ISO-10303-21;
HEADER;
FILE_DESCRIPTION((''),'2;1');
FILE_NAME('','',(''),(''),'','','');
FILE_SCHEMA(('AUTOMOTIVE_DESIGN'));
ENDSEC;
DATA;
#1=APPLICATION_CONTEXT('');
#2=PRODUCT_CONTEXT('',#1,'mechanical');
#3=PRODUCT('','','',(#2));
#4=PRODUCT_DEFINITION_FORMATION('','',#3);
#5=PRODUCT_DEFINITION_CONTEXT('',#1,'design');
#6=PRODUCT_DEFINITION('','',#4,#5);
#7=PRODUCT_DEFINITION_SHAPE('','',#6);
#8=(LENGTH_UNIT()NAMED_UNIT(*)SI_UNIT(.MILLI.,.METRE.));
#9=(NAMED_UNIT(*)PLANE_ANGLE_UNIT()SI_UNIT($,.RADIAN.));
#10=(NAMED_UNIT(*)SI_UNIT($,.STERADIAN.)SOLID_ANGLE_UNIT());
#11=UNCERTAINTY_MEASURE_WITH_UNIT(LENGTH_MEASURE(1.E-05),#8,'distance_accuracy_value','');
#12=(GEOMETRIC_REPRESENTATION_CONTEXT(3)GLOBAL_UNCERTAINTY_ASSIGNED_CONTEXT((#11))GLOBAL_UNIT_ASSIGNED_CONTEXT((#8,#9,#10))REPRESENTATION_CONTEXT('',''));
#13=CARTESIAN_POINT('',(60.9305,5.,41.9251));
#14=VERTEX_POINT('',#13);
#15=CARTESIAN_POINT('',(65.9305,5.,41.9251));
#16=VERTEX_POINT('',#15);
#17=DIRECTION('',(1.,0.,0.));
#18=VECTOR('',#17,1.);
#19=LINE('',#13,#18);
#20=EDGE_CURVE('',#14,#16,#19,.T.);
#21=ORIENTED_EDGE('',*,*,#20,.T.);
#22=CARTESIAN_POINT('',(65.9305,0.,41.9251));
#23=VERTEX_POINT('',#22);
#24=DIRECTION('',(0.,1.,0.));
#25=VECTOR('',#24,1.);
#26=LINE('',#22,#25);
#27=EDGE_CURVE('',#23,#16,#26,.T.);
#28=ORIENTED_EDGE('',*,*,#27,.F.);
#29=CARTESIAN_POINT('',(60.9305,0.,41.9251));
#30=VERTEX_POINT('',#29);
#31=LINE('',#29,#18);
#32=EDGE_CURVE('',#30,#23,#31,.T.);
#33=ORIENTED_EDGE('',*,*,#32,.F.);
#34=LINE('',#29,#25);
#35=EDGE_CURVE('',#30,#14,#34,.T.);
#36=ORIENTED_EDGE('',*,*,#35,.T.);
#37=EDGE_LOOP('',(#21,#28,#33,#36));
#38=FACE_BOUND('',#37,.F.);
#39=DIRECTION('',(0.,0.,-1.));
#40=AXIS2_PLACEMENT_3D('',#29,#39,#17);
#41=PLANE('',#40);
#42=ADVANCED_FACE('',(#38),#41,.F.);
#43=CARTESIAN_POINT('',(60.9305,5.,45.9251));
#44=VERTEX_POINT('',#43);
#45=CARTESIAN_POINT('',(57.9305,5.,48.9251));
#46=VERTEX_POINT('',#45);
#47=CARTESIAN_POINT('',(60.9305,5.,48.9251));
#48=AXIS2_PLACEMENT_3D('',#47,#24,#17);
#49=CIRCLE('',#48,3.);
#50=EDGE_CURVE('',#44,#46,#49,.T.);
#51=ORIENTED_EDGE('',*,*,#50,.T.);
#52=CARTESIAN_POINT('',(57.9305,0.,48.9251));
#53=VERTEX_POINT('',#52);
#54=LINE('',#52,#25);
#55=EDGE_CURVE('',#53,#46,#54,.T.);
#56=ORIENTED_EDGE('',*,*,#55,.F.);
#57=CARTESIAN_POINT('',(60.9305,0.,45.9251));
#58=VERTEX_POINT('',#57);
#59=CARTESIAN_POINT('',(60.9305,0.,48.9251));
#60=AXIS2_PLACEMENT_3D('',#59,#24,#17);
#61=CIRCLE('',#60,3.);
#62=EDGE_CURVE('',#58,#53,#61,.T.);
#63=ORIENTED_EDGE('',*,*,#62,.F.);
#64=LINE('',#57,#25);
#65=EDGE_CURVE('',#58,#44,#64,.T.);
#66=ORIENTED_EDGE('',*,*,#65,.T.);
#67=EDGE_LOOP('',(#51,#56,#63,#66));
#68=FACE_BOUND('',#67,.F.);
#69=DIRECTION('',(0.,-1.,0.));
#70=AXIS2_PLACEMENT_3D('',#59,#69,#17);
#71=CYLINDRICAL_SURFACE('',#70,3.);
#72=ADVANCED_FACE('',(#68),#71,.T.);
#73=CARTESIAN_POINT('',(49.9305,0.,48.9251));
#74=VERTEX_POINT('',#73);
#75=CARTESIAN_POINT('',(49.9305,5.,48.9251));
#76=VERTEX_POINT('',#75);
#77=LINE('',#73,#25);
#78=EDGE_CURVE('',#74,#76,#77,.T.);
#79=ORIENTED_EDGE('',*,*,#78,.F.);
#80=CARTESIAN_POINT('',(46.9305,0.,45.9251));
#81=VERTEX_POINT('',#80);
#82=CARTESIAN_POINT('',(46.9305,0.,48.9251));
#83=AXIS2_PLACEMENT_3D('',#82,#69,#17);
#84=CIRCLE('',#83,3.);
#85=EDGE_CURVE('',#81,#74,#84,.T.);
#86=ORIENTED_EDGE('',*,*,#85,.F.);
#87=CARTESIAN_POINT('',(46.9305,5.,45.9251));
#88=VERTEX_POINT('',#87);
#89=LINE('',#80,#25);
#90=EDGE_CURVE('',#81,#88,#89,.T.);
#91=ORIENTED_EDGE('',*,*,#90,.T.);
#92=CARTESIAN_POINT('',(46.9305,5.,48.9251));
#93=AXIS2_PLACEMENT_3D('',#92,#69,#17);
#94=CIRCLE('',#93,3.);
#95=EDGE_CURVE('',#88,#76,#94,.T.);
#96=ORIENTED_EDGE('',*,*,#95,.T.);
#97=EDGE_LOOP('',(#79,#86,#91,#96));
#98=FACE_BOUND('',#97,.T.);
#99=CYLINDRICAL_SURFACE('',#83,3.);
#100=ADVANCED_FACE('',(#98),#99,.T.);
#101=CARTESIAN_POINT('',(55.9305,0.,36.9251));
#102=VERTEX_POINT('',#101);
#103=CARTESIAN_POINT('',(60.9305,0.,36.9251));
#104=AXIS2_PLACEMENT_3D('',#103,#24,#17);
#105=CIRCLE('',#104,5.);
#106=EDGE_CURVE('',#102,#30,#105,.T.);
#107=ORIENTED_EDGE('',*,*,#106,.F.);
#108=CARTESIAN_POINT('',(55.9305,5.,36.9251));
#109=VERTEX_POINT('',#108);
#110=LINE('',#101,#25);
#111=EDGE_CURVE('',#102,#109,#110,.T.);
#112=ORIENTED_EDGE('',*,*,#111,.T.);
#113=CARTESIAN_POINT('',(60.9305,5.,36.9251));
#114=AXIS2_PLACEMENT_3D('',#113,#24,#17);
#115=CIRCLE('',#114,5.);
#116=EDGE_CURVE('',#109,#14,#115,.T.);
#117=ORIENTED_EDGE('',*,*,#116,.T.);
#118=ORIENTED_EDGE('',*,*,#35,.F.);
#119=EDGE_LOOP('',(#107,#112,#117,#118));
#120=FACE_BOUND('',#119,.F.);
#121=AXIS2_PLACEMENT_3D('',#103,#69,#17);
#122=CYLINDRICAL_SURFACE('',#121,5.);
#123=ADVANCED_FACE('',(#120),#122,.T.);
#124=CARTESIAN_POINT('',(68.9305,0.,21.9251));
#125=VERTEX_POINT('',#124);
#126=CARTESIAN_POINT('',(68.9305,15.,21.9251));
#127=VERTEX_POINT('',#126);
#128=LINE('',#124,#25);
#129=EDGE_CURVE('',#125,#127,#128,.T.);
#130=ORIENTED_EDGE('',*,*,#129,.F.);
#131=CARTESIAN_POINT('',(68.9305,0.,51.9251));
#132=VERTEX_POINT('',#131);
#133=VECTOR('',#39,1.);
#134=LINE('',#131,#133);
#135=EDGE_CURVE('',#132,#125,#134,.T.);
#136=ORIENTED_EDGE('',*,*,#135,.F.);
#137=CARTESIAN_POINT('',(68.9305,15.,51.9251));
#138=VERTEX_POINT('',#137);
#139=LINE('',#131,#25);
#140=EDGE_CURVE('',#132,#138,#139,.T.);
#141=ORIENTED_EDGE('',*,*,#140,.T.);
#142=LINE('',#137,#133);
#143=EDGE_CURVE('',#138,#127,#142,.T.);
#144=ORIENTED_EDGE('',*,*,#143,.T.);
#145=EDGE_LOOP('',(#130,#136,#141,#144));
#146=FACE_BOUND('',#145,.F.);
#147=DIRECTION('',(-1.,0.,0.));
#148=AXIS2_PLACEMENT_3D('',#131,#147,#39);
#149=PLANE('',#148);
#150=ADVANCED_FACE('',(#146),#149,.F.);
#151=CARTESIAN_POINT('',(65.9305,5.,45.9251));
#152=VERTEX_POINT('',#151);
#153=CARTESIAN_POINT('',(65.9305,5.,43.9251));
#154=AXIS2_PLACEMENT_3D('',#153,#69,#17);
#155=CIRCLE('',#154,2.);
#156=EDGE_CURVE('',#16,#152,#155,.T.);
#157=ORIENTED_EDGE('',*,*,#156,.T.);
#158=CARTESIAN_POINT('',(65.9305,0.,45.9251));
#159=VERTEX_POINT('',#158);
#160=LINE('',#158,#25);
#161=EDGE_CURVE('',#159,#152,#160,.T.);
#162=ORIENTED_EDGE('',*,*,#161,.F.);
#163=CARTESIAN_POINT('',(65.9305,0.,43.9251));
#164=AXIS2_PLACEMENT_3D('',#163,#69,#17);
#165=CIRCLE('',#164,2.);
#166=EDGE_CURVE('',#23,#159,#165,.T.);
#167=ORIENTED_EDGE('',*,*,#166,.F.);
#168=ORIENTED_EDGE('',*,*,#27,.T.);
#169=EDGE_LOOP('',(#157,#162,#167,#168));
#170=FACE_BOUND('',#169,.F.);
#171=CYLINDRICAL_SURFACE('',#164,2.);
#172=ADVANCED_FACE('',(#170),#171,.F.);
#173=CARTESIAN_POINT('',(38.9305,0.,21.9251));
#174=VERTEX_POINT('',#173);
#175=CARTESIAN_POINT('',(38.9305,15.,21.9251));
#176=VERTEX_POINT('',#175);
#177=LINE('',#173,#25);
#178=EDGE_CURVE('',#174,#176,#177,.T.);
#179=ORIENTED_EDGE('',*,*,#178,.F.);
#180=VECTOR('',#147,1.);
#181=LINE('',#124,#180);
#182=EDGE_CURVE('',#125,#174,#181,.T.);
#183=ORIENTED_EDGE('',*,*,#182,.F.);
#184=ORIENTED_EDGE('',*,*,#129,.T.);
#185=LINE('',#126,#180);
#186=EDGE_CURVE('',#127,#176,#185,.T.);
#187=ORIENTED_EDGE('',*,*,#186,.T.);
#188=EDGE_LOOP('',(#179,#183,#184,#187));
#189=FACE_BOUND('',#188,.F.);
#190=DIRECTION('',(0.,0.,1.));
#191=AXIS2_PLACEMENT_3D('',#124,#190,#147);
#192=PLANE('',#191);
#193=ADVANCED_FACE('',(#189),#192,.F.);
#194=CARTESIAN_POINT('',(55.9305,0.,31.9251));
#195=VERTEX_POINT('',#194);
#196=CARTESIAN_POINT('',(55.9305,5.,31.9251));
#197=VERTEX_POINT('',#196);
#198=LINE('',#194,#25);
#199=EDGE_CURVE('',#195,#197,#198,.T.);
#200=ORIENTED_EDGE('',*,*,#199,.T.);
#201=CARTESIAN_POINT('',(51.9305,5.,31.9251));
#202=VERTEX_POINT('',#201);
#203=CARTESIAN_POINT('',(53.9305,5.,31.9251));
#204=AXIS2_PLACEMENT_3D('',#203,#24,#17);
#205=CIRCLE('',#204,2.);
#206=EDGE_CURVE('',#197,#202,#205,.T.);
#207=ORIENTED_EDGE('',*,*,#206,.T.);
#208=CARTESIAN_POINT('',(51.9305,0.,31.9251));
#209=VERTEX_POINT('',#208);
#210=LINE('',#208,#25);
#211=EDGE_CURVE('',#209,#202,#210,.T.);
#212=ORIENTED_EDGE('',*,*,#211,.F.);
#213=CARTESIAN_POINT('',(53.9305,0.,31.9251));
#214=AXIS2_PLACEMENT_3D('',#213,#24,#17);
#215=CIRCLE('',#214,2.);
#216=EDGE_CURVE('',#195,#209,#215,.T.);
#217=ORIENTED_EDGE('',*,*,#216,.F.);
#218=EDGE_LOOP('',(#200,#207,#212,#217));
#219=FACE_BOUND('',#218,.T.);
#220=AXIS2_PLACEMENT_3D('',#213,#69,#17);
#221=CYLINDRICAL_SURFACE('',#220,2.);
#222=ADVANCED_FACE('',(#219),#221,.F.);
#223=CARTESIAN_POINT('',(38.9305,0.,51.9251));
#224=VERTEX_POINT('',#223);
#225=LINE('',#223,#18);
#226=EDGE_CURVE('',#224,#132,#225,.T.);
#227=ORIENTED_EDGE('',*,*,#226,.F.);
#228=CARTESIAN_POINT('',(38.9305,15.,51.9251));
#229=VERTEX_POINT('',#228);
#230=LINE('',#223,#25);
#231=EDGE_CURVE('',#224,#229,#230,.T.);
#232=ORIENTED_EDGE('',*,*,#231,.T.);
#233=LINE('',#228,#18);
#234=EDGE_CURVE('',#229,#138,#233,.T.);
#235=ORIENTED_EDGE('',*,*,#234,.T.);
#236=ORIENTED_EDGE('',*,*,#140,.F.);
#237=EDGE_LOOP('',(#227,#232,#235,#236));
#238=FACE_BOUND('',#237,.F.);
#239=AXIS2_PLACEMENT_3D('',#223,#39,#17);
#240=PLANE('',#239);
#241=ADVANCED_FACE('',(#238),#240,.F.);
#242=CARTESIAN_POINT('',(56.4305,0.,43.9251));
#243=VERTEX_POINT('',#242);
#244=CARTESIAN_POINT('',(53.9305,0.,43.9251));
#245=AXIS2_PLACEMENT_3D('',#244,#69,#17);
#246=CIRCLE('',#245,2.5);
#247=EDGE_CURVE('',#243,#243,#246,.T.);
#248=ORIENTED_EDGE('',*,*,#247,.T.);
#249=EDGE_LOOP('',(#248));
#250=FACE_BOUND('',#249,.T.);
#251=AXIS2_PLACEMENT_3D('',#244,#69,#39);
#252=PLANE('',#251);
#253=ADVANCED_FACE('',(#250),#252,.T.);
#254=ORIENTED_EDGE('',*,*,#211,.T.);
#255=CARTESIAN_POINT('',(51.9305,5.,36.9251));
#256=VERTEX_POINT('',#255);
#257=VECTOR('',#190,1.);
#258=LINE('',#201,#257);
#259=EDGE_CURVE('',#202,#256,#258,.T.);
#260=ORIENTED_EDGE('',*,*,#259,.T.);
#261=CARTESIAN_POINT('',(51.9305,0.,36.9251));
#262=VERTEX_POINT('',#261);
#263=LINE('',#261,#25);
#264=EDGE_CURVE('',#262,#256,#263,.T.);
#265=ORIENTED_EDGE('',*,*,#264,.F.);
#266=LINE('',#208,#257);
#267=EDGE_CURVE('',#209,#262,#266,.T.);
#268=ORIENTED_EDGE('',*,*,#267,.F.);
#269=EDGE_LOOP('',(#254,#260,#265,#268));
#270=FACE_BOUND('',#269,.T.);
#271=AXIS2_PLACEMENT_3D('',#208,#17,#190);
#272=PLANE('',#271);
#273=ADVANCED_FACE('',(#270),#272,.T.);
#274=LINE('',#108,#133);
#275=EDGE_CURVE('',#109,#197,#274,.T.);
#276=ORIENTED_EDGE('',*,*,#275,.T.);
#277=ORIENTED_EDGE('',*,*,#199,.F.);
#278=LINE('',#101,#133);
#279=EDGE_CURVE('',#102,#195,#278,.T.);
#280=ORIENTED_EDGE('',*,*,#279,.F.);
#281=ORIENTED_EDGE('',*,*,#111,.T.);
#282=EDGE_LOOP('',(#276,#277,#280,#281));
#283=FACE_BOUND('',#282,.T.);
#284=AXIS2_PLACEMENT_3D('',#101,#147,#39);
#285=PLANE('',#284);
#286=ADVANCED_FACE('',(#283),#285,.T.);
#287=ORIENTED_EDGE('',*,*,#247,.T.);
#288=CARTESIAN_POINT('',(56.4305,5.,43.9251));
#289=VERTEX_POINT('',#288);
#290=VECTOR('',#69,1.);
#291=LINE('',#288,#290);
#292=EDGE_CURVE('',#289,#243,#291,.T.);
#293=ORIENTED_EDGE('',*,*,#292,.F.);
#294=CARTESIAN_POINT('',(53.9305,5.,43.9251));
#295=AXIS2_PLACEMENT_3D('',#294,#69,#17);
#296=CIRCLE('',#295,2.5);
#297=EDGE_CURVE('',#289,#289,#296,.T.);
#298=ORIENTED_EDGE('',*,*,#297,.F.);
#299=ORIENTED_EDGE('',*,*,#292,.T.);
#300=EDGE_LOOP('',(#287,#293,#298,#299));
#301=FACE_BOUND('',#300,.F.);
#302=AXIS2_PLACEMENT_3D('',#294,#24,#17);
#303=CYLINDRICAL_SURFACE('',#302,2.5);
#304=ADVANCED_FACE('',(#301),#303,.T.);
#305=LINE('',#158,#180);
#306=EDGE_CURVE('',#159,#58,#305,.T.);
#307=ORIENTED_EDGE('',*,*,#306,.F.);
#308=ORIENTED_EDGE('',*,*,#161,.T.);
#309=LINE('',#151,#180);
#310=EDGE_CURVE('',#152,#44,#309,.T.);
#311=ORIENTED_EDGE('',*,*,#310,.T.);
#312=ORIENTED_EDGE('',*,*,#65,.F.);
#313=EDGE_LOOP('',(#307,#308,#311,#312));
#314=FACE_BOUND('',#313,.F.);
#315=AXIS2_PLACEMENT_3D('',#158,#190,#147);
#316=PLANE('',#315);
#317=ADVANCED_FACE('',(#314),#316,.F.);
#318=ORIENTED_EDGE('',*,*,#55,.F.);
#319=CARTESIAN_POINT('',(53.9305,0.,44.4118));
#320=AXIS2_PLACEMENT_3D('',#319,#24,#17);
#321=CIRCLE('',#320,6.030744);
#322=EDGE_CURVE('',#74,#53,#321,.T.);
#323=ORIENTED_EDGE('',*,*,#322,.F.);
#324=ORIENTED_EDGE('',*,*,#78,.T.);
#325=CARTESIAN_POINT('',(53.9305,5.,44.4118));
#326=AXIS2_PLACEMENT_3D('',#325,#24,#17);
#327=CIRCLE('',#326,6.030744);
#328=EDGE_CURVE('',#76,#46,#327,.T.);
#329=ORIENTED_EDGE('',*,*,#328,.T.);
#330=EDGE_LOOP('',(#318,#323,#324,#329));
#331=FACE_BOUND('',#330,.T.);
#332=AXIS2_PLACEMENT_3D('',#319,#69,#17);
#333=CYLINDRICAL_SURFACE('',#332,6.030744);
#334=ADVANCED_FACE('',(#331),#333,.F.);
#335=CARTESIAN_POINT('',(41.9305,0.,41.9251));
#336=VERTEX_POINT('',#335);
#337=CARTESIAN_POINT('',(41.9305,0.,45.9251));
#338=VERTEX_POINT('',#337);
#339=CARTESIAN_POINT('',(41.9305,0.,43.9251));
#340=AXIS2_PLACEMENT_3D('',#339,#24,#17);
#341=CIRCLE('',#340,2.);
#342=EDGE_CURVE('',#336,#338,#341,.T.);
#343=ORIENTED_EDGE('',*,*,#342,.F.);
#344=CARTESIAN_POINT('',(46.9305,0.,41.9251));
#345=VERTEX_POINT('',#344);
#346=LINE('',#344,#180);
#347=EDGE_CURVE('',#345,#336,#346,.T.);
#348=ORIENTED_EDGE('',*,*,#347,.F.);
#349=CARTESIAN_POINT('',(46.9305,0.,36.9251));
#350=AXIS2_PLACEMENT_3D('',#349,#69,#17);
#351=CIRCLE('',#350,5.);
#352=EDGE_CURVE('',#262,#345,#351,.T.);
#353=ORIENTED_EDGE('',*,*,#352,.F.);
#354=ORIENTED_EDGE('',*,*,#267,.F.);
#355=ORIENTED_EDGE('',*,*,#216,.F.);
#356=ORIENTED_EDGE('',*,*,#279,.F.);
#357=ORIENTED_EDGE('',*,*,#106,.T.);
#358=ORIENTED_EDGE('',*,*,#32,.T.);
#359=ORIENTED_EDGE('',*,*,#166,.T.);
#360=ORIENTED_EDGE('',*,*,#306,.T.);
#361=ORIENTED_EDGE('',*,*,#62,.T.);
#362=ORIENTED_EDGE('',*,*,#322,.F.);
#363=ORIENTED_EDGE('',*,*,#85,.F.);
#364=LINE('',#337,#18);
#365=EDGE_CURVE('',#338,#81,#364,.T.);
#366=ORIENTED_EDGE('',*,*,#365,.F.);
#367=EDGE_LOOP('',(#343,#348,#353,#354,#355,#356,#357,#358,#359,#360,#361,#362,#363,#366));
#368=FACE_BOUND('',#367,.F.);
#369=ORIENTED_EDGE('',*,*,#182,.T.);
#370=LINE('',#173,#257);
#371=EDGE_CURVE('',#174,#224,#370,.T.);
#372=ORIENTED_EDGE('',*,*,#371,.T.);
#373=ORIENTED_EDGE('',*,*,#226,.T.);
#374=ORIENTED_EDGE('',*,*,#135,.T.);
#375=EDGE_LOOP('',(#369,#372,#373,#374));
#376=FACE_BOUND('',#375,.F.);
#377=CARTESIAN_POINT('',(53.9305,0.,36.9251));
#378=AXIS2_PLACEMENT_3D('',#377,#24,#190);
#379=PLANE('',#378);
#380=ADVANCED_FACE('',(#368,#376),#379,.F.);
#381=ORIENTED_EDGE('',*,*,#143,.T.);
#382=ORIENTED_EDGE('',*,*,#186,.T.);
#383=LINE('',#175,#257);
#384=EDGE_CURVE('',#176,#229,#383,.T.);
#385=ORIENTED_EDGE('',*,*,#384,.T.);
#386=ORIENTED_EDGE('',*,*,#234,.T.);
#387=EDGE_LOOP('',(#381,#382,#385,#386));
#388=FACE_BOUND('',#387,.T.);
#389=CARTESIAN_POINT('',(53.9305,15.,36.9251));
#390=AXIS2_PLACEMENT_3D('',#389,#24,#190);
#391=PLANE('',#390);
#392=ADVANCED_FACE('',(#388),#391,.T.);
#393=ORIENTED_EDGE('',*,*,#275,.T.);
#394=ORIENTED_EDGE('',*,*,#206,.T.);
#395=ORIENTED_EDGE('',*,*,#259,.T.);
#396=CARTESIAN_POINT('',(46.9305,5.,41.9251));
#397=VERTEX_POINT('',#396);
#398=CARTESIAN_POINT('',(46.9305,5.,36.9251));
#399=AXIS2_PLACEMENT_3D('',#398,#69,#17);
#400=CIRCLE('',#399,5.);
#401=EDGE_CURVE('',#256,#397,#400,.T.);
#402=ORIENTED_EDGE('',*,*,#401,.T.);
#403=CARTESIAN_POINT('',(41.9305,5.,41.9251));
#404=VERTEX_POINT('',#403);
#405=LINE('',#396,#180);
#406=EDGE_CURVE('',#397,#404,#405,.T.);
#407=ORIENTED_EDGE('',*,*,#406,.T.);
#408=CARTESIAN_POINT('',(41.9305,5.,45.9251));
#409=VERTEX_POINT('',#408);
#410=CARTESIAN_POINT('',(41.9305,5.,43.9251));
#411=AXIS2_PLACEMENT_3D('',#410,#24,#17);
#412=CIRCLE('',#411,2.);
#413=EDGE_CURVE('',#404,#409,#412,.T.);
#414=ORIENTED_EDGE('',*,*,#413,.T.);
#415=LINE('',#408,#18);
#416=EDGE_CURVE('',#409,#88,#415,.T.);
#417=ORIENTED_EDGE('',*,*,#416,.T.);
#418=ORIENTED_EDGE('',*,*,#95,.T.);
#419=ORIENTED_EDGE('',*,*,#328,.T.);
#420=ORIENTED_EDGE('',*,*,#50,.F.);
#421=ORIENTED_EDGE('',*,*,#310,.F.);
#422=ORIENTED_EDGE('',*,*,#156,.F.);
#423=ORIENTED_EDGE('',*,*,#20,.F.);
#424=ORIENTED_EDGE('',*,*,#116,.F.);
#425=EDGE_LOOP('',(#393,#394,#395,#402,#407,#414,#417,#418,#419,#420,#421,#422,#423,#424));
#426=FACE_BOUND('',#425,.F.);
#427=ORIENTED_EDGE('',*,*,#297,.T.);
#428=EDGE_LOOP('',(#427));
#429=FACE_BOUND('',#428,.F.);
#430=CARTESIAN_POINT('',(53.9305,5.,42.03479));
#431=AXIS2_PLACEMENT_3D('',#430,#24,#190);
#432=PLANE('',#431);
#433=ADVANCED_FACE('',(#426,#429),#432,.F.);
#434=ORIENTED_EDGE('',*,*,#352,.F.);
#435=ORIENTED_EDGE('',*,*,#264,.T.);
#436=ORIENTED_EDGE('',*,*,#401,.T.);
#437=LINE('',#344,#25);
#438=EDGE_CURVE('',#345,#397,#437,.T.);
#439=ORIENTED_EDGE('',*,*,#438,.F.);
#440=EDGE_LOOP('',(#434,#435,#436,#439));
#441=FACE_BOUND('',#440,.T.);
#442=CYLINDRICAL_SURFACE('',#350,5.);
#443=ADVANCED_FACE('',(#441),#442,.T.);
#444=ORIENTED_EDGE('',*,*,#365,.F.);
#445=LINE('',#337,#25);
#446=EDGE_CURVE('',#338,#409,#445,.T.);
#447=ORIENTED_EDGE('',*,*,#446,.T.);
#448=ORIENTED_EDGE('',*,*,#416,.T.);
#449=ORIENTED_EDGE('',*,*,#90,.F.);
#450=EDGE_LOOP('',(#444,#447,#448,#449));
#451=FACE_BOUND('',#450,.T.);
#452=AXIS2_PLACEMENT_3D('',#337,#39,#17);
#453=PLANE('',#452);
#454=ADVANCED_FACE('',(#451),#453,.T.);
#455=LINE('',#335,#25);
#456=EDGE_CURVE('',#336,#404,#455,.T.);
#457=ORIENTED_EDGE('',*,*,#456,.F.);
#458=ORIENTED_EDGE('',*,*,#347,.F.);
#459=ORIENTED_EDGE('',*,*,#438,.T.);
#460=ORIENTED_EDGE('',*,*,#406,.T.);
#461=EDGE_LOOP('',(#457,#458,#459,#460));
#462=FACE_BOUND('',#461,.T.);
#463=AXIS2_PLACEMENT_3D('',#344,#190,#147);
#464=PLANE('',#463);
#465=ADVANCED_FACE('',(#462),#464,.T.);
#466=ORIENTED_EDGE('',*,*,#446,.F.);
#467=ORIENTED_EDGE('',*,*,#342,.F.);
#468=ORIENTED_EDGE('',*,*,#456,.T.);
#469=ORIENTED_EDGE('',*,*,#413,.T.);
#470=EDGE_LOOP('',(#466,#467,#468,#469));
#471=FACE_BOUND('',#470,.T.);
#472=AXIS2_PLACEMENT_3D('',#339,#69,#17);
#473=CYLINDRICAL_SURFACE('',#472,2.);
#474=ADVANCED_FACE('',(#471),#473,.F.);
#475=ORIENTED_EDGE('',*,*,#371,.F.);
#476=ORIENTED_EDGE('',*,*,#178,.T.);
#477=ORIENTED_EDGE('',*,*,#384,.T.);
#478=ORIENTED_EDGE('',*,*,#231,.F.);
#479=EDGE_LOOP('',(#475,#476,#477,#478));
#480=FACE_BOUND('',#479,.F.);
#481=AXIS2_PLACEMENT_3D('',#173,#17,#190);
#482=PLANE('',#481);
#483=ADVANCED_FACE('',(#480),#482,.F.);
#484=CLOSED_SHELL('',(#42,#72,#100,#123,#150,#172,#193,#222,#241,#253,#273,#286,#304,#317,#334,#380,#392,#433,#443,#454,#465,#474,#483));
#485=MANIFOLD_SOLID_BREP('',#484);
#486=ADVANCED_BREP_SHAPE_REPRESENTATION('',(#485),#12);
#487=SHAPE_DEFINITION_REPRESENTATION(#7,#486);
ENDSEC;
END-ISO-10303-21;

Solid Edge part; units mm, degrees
sketch "Sketch1" plane through (0, 0, 0) normal (0, -1, 0) x (1, 0, 0)
  line L0 (38.9305, 51.9251) -> (68.9305, 51.9251)
  line L1 (68.9305, 51.9251) -> (68.9305, 21.9251)
  line L2 (68.9305, 21.9251) -> (38.9305, 21.9251)
  line L3 (38.9305, 21.9251) -> (38.9305, 51.9251)
  dimension "D1" = 30
  dimension "D2" = 30
extrude "Protrusion1" add sketch "Sketch1" against normal blind 15
sketch "Sketch2" plane through (63.9305, 0, 41.9251) normal (0, -1, 0) x (1, 0, 0)
  line L0 (-8, -5) -> (-8, -10)
  arc A0 (-8, -10) -> (-12, -10) centre (-10, -10) cw
  line L1 (-12, -10) -> (-12, -5)
  arc A1 (-12, -5) -> (-17, 0) centre (-17, -5) ccw
  line L2 (-17, 0) -> (-22, 0)
  arc A2 (-22, 0) -> (-22, 4) centre (-22, 2) cw
  line L3 (-22, 4) -> (-17, 4)
  arc A3 (-17, 4) -> (-14, 7) centre (-17, 7) ccw
  arc A4 (-14, 7) -> (-6, 7) centre (-10, 2.4867) cw
  arc A5 (-3, 4) -> (-6, 7) centre (-3, 7) cw
  line L4 (2, 4) -> (-3, 4)
  arc A6 (2, 0) -> (2, 4) centre (2, 2) ccw
  line L5 (-3, 0) -> (2, 0)
  arc A7 (-8, -5) -> (-3, 0) centre (-3, -5) cw
  dimension "D1" = 5
  dimension "D2" = 10
  dimension "D3" = 2
  dimension "D4" = 2
  dimension "D5" = 5
  dimension "D6" = 5
  dimension "D7" = 5
  dimension "D8" = 2
  dimension "D9" = 5
  dimension "D10" = 5
  dimension "D11" = 2
  dimension "D12" = 5
  dimension "D13" = 5
  dimension "D14" = 3
  dimension "D15" = 3
extrude "ExtrudedCutout_4" cut sketch "Sketch2" against normal blind 5
sketch "Sketch3" plane through (63.9305, 5, 35.4251) normal (0, -1, 0) x (1, 0, 0)
  circle A0 centre (-10, 8.5) radius 2.5
  dimension "D1" = 5
extrude "ExtrudedProtrusion_3" add sketch "Sketch3" along normal blind 5
